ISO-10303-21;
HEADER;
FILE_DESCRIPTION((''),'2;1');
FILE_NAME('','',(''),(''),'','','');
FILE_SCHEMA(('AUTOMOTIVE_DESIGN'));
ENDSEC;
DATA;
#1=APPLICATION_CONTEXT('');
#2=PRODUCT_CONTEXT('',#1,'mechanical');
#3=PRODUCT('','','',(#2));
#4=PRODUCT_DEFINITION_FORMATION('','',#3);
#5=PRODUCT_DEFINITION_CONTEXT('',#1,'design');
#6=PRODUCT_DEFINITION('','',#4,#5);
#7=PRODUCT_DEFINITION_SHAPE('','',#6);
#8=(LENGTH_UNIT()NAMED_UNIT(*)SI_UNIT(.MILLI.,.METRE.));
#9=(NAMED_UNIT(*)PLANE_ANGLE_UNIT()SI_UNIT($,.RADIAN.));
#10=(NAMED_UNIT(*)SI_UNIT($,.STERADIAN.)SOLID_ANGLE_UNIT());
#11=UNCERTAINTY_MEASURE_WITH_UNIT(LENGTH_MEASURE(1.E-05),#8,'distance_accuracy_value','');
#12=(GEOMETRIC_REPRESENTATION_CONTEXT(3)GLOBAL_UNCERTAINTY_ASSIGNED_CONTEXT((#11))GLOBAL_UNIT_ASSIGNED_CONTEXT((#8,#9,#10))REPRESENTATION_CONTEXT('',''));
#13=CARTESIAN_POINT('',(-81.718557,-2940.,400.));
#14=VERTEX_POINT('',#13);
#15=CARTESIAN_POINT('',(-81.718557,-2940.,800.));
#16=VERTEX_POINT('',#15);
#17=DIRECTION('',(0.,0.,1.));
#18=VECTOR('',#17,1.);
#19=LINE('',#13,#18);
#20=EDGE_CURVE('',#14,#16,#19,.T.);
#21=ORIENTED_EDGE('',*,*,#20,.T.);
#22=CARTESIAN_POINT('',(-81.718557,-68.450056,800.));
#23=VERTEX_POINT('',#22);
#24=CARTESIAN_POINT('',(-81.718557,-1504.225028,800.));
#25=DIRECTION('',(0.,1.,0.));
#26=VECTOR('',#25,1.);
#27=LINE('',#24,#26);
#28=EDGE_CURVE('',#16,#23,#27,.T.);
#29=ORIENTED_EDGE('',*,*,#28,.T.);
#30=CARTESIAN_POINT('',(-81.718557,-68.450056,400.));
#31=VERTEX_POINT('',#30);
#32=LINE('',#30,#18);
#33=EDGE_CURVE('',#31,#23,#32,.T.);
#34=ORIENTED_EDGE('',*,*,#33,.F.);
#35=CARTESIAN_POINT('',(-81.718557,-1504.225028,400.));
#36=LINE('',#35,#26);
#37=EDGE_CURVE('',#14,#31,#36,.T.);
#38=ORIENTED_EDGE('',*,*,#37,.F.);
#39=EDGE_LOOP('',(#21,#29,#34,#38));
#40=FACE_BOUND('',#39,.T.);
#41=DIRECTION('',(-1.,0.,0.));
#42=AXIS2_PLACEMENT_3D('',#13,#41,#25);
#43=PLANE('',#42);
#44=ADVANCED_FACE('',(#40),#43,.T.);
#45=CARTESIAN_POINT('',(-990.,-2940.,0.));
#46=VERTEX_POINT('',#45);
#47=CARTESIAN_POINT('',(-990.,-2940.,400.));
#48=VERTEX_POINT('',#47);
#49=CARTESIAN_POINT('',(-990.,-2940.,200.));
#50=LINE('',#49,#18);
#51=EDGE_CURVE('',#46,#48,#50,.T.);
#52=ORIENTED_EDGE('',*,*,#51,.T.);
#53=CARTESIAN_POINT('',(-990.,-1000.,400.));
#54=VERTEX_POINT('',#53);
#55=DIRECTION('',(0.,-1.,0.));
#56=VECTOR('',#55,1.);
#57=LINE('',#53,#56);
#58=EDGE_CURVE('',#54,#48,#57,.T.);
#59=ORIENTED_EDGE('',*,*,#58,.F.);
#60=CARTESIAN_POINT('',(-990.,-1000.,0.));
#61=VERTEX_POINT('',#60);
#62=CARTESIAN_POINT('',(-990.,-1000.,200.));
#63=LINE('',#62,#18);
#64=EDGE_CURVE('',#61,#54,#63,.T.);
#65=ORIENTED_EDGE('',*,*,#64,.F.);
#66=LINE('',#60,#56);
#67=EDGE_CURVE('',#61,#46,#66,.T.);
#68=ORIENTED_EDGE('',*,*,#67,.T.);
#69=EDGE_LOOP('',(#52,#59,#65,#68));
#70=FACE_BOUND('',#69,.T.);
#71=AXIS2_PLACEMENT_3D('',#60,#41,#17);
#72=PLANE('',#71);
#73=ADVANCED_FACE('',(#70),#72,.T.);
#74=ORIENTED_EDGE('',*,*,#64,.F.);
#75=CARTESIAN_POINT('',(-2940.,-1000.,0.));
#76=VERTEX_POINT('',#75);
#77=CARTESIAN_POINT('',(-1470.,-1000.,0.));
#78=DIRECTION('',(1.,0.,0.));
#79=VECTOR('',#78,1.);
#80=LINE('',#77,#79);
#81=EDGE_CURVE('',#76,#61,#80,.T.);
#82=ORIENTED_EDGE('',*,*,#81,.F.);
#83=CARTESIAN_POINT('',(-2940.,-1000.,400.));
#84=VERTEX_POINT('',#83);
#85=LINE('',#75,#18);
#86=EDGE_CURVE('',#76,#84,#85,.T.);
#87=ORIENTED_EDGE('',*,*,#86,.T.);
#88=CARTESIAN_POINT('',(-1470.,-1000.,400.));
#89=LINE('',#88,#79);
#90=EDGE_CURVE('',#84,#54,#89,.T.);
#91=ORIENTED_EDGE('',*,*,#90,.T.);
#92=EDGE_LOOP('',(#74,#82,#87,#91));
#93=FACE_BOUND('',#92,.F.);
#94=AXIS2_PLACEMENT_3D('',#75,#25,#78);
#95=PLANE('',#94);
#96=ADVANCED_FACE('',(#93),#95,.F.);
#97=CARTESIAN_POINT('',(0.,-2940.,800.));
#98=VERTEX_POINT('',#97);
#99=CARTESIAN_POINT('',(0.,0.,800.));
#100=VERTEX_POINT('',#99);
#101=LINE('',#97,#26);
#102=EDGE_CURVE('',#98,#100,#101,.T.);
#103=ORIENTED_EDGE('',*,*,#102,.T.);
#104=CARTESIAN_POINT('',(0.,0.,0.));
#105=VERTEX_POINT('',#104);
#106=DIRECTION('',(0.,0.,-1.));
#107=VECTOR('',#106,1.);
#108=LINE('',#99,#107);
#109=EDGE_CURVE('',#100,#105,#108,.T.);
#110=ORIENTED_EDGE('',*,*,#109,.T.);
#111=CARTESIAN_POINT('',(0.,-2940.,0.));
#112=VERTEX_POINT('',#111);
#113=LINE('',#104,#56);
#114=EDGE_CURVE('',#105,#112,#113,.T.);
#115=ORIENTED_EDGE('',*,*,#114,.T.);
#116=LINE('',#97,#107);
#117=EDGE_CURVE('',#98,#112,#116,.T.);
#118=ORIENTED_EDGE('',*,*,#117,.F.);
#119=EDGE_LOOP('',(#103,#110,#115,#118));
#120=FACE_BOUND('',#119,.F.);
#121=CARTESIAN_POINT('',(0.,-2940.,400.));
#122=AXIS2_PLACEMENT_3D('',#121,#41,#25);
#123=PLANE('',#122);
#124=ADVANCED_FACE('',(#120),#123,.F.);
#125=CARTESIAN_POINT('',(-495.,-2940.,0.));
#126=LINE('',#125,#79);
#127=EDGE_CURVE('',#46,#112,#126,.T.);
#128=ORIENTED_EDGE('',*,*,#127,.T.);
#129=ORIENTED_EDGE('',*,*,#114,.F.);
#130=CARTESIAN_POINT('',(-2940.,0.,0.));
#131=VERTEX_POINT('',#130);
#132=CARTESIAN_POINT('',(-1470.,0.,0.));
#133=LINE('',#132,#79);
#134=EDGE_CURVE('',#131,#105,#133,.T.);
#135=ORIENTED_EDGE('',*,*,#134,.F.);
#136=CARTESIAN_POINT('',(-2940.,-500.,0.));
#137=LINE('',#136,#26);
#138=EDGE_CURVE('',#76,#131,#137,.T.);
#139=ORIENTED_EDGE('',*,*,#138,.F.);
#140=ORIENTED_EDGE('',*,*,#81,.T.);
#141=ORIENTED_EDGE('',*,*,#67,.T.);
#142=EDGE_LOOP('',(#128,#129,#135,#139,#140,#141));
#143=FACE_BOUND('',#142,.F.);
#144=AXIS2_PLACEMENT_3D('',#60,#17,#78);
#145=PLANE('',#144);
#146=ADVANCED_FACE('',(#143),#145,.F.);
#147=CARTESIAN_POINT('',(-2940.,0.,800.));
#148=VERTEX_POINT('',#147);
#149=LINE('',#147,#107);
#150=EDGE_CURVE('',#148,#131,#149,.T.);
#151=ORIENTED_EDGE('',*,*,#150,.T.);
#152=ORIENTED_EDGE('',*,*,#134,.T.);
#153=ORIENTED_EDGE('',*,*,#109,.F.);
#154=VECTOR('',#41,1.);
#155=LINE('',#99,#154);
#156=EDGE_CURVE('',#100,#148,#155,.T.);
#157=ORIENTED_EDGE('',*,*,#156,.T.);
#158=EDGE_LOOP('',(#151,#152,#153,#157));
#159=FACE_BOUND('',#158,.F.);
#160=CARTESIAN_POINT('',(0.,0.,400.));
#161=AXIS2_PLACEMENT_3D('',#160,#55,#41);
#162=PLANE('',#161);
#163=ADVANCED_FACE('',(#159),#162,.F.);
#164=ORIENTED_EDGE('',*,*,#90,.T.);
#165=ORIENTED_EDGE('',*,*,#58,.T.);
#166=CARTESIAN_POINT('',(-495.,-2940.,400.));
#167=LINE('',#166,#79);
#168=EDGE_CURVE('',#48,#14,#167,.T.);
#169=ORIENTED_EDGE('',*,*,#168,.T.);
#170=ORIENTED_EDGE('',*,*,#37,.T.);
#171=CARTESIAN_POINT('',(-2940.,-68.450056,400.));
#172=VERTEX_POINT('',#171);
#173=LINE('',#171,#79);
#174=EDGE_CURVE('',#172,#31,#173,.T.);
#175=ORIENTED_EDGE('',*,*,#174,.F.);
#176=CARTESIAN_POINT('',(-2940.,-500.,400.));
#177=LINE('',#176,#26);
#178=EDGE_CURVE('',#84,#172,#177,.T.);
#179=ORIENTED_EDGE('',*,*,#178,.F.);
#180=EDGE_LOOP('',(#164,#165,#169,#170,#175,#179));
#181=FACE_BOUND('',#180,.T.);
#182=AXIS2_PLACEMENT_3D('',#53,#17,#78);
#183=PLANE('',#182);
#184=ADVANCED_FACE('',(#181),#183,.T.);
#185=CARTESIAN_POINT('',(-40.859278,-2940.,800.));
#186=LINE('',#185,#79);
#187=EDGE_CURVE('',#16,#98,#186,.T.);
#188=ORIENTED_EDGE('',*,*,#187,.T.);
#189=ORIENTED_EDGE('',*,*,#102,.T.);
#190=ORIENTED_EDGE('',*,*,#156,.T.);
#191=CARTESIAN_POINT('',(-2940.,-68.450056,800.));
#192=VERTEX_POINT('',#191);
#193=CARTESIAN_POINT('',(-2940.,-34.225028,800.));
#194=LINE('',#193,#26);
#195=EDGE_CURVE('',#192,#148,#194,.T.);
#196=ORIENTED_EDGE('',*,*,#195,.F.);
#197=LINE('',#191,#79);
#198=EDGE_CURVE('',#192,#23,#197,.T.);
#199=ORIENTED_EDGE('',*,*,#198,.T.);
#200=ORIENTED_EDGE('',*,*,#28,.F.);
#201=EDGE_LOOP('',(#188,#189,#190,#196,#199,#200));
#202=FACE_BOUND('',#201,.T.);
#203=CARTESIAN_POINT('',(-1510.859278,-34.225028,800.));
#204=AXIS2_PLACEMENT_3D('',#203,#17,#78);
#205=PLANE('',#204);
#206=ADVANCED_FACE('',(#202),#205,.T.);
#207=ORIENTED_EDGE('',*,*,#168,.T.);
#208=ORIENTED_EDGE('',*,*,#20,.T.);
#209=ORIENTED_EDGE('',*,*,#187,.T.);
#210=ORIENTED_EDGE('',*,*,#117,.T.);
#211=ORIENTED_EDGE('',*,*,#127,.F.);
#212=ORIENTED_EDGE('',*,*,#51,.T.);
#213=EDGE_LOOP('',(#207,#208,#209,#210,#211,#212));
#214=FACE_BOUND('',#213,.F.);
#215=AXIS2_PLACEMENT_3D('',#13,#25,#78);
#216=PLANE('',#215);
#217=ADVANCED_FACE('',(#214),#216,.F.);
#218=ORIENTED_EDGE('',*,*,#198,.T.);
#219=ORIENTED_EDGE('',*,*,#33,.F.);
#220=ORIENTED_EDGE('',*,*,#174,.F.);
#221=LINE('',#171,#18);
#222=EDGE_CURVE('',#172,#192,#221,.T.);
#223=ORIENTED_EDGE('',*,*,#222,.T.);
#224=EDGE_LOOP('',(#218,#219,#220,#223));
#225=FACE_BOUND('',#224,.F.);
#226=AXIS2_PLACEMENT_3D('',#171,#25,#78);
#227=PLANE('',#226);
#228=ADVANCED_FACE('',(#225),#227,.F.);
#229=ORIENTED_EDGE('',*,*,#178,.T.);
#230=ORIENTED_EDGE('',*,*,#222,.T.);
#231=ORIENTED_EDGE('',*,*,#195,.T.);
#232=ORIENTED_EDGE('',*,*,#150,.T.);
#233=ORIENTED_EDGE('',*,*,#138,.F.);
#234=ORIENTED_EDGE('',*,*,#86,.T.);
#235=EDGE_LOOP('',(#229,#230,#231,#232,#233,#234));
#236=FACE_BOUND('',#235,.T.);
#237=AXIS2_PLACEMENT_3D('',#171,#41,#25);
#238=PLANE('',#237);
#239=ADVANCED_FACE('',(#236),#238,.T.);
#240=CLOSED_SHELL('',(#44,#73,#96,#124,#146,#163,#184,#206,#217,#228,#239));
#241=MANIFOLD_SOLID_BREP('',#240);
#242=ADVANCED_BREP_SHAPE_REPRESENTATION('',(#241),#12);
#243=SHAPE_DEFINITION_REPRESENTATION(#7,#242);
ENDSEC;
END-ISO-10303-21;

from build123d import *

# Parameters (mm, degrees)
F0_W     = 2940
F0_H     = 1000
F1_DEPTH = 400
F2_W     = 990
F2_H     = 400
F3_DEPTH = 1940
F4_W     = 2858.2814434171
F4_H     = 68.4500560164
F4_W_2   = 81.7185565829
F4_H_2   = 2871.5499439836
F5_DEPTH = 400


with BuildPart() as f1:
    # F0 (on Top) → F1 (new body)
    with BuildSketch(Plane.XY):
        with Locations((-1470, -500)):
            Rectangle(F0_W, F0_H)
    extrude(amount=F1_DEPTH)

    # F2 (on face) → F3 (join)
    with BuildSketch(Plane.XZ.offset(1000)):
        with Locations((-495, 200)):
            Rectangle(F2_W, F2_H)
    extrude(amount=F3_DEPTH)

    # F4 (on face) → F5 (join)
    with BuildSketch(Plane.XY.offset(400)):
        with Locations((-1510.8592782915, -34.2250280082)):
            Rectangle(F4_W, F4_H)
        with Locations((-40.8592782915, -34.2250280082)):
            Rectangle(F4_W_2, F4_H)
        with Locations((-40.8592782915, -1504.2250280082)):
            Rectangle(F4_W_2, F4_H_2)
    extrude(amount=F5_DEPTH)


solid = f1.part
